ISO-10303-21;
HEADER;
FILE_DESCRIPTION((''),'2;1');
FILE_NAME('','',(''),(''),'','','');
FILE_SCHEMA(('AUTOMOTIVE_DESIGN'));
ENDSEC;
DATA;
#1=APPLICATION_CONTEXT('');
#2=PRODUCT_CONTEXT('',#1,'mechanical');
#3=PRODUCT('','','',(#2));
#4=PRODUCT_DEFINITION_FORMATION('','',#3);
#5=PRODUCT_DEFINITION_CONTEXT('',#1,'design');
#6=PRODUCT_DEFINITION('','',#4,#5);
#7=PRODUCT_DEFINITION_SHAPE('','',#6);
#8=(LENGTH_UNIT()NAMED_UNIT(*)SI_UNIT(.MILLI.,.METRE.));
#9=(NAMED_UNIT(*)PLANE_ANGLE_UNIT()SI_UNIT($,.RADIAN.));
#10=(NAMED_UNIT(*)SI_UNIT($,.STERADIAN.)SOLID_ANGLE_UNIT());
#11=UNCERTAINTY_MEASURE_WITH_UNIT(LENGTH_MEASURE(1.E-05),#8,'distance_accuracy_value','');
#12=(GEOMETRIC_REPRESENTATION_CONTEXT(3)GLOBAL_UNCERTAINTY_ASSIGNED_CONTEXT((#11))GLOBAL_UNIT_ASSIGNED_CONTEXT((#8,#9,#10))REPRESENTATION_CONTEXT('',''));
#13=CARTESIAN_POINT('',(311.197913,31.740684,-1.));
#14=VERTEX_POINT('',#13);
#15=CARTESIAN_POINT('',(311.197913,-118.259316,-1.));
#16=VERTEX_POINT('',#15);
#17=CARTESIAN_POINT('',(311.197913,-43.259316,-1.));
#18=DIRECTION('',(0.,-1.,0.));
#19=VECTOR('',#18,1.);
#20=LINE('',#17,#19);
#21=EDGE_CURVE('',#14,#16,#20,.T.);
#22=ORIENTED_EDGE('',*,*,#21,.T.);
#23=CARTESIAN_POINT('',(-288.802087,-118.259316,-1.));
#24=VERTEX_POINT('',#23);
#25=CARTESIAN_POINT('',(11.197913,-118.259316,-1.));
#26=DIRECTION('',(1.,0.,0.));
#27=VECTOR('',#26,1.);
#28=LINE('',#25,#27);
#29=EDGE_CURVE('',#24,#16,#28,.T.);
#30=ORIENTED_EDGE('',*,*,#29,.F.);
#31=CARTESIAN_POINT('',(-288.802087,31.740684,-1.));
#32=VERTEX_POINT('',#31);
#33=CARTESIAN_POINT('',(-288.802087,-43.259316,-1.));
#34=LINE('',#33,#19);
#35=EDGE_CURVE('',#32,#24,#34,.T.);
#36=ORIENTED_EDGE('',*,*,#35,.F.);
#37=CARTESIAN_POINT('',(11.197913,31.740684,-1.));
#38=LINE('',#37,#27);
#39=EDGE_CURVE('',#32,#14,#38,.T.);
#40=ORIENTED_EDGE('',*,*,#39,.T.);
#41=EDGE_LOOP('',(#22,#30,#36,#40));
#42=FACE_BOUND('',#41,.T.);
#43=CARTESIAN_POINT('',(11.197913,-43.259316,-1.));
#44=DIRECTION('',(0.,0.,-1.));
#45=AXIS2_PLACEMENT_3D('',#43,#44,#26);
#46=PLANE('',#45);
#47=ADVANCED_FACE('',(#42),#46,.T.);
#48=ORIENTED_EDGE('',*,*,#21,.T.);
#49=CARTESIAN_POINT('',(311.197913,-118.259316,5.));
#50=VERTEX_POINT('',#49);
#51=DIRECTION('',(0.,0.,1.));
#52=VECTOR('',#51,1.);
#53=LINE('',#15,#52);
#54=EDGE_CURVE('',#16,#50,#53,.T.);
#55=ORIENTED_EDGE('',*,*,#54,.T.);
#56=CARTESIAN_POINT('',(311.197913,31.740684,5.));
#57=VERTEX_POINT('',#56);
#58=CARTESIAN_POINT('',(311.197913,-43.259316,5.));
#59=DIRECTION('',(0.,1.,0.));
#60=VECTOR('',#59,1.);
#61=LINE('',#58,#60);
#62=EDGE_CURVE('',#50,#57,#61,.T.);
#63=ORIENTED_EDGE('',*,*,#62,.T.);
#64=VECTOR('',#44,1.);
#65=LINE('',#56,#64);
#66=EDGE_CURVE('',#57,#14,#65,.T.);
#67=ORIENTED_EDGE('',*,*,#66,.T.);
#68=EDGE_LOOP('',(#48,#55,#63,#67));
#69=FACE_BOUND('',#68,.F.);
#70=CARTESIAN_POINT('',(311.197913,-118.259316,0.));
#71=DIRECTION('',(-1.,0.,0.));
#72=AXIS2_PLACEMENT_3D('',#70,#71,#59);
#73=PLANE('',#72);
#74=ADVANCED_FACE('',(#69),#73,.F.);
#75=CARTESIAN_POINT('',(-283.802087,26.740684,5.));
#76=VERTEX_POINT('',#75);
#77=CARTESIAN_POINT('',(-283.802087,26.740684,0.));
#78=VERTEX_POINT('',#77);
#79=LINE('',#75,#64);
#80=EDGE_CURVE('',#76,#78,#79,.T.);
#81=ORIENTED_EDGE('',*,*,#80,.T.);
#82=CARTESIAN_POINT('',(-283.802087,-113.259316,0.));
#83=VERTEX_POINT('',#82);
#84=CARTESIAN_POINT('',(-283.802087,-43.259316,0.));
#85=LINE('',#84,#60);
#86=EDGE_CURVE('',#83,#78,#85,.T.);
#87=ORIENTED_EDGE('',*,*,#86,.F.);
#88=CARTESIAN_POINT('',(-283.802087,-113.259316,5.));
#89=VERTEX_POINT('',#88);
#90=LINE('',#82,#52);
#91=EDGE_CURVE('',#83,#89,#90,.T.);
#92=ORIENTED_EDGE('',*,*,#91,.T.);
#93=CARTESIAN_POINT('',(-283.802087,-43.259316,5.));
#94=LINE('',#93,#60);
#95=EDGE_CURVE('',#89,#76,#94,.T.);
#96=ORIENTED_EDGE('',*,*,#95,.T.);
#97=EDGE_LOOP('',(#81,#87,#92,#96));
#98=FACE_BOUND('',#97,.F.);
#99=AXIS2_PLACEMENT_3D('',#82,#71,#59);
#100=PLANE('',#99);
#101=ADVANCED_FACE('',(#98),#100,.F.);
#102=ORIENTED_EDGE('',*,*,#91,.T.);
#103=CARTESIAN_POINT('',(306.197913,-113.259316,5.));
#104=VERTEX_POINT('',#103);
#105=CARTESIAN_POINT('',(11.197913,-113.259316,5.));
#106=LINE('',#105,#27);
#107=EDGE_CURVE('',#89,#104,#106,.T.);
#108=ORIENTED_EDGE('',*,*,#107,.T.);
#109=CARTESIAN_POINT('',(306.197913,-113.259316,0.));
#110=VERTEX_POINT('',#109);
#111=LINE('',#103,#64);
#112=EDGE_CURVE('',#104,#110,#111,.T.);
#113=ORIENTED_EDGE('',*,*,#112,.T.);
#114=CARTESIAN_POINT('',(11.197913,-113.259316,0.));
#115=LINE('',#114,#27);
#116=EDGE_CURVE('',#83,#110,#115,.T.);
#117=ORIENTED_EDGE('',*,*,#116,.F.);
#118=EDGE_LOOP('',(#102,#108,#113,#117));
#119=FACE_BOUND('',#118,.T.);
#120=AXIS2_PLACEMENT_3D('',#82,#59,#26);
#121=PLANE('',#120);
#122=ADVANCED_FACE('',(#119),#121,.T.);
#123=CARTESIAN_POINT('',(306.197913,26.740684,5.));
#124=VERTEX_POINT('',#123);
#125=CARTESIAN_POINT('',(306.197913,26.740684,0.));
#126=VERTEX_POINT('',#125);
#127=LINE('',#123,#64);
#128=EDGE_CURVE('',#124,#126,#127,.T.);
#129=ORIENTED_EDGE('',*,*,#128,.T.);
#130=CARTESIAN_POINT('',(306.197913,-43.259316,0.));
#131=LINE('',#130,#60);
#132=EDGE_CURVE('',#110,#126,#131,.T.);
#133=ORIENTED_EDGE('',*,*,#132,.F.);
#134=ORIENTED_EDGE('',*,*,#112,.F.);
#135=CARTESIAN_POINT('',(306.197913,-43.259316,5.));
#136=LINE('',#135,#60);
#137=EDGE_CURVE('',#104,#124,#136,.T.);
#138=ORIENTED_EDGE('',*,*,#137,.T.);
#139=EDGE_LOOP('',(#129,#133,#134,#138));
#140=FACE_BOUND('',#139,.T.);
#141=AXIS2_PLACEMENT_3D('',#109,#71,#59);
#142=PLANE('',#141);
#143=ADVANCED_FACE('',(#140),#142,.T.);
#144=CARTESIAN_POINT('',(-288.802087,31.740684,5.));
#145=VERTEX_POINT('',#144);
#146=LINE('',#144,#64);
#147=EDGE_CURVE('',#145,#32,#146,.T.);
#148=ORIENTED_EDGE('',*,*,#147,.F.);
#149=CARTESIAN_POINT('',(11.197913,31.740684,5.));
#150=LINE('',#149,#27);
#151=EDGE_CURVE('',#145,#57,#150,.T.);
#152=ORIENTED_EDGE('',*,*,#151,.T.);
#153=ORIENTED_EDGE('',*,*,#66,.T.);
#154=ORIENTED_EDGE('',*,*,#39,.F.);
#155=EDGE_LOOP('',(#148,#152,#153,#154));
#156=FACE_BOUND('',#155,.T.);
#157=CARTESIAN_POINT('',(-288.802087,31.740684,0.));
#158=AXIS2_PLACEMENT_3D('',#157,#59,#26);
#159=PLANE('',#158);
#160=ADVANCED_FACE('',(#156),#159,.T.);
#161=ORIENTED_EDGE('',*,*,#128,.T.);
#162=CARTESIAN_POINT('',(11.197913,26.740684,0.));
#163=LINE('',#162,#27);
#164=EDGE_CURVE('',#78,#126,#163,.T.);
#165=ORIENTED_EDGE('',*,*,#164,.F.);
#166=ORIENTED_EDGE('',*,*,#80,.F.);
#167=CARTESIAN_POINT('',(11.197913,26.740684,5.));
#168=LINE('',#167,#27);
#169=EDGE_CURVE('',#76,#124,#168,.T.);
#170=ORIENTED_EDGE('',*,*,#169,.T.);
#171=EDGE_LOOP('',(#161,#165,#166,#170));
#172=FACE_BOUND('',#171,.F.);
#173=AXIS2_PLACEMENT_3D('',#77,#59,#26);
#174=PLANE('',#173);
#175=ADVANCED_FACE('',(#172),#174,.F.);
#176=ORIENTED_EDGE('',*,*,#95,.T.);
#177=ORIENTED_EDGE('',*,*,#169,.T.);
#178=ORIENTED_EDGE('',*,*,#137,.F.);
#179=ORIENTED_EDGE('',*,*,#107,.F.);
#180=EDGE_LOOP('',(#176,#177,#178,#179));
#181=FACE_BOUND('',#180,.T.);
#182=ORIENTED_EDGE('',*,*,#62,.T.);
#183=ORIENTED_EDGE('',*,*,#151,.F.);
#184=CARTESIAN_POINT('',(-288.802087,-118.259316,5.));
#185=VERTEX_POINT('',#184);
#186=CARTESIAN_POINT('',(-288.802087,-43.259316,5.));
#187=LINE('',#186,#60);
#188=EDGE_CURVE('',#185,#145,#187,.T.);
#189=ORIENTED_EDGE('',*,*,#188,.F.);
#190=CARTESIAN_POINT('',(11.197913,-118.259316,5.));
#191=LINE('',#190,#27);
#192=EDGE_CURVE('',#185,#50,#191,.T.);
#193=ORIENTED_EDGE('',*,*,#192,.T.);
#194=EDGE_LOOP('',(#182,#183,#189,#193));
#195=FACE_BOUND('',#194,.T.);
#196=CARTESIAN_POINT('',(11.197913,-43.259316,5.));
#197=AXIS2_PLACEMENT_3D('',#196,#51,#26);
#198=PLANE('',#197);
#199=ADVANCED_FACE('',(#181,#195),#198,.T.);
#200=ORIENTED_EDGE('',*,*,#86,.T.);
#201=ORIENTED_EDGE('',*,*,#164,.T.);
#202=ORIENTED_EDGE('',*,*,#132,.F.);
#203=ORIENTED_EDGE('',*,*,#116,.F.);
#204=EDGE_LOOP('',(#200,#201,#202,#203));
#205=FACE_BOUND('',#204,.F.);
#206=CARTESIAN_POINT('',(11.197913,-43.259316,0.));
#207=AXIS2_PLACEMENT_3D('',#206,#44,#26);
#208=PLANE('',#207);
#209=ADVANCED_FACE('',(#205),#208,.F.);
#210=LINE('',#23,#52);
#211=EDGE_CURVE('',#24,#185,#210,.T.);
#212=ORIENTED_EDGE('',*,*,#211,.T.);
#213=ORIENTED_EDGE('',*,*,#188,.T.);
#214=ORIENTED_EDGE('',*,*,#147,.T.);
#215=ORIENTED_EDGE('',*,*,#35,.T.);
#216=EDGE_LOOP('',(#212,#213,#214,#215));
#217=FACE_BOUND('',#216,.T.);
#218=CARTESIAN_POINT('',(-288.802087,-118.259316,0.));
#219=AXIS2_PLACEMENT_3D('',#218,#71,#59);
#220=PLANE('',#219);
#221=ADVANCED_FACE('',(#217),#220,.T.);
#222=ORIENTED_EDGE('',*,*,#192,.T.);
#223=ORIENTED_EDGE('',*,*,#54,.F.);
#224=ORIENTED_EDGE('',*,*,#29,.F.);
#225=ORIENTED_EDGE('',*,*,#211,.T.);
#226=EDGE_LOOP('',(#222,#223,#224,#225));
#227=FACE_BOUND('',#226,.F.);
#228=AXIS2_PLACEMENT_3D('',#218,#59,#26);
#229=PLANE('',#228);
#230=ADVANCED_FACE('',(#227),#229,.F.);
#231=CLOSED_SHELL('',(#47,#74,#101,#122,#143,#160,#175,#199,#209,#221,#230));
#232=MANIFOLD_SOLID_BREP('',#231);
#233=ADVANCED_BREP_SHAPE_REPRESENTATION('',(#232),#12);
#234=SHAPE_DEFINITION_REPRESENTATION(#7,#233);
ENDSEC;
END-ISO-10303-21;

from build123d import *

# Parameters (mm, degrees)
F0_W     = 600
F0_H     = 150
F0_W_2   = 590
F0_H_2   = 140
F1_DEPTH = 5
F2_W     = 600
F2_H     = 150
F3_DEPTH = 1
F4_DEPTH = 1


with BuildPart() as f1:
    # F0 (on Top) → F1 (new body)
    with BuildSketch(Plane.XY):
        with Locations((11.197913, -43.259316)):
            Rectangle(F0_W, F0_H)
        with Locations((11.197913, -43.259316)):
            Rectangle(F0_W_2, F0_H_2, mode=Mode.SUBTRACT)
    extrude(amount=F1_DEPTH)

    # F2 (on face) → F3 (join)
    with BuildSketch(Plane(origin=(0, 0, 0), x_dir=(1, 0, 0), z_dir=(0, 0, -1))):
        with Locations((11.197913, 43.259316)):
            Rectangle(F2_W, F2_H)
    extrude(amount=F3_DEPTH)

    # F0 (on Top) → F4 (join)
    with BuildSketch(Plane.XY):
        with Locations((11.197913, -43.259316)):
            Rectangle(F0_W, F0_H)
        with Locations((11.197913, -43.259316)):
            Rectangle(F0_W_2, F0_H_2, mode=Mode.SUBTRACT)
    extrude(amount=F4_DEPTH)


solid = f1.part
